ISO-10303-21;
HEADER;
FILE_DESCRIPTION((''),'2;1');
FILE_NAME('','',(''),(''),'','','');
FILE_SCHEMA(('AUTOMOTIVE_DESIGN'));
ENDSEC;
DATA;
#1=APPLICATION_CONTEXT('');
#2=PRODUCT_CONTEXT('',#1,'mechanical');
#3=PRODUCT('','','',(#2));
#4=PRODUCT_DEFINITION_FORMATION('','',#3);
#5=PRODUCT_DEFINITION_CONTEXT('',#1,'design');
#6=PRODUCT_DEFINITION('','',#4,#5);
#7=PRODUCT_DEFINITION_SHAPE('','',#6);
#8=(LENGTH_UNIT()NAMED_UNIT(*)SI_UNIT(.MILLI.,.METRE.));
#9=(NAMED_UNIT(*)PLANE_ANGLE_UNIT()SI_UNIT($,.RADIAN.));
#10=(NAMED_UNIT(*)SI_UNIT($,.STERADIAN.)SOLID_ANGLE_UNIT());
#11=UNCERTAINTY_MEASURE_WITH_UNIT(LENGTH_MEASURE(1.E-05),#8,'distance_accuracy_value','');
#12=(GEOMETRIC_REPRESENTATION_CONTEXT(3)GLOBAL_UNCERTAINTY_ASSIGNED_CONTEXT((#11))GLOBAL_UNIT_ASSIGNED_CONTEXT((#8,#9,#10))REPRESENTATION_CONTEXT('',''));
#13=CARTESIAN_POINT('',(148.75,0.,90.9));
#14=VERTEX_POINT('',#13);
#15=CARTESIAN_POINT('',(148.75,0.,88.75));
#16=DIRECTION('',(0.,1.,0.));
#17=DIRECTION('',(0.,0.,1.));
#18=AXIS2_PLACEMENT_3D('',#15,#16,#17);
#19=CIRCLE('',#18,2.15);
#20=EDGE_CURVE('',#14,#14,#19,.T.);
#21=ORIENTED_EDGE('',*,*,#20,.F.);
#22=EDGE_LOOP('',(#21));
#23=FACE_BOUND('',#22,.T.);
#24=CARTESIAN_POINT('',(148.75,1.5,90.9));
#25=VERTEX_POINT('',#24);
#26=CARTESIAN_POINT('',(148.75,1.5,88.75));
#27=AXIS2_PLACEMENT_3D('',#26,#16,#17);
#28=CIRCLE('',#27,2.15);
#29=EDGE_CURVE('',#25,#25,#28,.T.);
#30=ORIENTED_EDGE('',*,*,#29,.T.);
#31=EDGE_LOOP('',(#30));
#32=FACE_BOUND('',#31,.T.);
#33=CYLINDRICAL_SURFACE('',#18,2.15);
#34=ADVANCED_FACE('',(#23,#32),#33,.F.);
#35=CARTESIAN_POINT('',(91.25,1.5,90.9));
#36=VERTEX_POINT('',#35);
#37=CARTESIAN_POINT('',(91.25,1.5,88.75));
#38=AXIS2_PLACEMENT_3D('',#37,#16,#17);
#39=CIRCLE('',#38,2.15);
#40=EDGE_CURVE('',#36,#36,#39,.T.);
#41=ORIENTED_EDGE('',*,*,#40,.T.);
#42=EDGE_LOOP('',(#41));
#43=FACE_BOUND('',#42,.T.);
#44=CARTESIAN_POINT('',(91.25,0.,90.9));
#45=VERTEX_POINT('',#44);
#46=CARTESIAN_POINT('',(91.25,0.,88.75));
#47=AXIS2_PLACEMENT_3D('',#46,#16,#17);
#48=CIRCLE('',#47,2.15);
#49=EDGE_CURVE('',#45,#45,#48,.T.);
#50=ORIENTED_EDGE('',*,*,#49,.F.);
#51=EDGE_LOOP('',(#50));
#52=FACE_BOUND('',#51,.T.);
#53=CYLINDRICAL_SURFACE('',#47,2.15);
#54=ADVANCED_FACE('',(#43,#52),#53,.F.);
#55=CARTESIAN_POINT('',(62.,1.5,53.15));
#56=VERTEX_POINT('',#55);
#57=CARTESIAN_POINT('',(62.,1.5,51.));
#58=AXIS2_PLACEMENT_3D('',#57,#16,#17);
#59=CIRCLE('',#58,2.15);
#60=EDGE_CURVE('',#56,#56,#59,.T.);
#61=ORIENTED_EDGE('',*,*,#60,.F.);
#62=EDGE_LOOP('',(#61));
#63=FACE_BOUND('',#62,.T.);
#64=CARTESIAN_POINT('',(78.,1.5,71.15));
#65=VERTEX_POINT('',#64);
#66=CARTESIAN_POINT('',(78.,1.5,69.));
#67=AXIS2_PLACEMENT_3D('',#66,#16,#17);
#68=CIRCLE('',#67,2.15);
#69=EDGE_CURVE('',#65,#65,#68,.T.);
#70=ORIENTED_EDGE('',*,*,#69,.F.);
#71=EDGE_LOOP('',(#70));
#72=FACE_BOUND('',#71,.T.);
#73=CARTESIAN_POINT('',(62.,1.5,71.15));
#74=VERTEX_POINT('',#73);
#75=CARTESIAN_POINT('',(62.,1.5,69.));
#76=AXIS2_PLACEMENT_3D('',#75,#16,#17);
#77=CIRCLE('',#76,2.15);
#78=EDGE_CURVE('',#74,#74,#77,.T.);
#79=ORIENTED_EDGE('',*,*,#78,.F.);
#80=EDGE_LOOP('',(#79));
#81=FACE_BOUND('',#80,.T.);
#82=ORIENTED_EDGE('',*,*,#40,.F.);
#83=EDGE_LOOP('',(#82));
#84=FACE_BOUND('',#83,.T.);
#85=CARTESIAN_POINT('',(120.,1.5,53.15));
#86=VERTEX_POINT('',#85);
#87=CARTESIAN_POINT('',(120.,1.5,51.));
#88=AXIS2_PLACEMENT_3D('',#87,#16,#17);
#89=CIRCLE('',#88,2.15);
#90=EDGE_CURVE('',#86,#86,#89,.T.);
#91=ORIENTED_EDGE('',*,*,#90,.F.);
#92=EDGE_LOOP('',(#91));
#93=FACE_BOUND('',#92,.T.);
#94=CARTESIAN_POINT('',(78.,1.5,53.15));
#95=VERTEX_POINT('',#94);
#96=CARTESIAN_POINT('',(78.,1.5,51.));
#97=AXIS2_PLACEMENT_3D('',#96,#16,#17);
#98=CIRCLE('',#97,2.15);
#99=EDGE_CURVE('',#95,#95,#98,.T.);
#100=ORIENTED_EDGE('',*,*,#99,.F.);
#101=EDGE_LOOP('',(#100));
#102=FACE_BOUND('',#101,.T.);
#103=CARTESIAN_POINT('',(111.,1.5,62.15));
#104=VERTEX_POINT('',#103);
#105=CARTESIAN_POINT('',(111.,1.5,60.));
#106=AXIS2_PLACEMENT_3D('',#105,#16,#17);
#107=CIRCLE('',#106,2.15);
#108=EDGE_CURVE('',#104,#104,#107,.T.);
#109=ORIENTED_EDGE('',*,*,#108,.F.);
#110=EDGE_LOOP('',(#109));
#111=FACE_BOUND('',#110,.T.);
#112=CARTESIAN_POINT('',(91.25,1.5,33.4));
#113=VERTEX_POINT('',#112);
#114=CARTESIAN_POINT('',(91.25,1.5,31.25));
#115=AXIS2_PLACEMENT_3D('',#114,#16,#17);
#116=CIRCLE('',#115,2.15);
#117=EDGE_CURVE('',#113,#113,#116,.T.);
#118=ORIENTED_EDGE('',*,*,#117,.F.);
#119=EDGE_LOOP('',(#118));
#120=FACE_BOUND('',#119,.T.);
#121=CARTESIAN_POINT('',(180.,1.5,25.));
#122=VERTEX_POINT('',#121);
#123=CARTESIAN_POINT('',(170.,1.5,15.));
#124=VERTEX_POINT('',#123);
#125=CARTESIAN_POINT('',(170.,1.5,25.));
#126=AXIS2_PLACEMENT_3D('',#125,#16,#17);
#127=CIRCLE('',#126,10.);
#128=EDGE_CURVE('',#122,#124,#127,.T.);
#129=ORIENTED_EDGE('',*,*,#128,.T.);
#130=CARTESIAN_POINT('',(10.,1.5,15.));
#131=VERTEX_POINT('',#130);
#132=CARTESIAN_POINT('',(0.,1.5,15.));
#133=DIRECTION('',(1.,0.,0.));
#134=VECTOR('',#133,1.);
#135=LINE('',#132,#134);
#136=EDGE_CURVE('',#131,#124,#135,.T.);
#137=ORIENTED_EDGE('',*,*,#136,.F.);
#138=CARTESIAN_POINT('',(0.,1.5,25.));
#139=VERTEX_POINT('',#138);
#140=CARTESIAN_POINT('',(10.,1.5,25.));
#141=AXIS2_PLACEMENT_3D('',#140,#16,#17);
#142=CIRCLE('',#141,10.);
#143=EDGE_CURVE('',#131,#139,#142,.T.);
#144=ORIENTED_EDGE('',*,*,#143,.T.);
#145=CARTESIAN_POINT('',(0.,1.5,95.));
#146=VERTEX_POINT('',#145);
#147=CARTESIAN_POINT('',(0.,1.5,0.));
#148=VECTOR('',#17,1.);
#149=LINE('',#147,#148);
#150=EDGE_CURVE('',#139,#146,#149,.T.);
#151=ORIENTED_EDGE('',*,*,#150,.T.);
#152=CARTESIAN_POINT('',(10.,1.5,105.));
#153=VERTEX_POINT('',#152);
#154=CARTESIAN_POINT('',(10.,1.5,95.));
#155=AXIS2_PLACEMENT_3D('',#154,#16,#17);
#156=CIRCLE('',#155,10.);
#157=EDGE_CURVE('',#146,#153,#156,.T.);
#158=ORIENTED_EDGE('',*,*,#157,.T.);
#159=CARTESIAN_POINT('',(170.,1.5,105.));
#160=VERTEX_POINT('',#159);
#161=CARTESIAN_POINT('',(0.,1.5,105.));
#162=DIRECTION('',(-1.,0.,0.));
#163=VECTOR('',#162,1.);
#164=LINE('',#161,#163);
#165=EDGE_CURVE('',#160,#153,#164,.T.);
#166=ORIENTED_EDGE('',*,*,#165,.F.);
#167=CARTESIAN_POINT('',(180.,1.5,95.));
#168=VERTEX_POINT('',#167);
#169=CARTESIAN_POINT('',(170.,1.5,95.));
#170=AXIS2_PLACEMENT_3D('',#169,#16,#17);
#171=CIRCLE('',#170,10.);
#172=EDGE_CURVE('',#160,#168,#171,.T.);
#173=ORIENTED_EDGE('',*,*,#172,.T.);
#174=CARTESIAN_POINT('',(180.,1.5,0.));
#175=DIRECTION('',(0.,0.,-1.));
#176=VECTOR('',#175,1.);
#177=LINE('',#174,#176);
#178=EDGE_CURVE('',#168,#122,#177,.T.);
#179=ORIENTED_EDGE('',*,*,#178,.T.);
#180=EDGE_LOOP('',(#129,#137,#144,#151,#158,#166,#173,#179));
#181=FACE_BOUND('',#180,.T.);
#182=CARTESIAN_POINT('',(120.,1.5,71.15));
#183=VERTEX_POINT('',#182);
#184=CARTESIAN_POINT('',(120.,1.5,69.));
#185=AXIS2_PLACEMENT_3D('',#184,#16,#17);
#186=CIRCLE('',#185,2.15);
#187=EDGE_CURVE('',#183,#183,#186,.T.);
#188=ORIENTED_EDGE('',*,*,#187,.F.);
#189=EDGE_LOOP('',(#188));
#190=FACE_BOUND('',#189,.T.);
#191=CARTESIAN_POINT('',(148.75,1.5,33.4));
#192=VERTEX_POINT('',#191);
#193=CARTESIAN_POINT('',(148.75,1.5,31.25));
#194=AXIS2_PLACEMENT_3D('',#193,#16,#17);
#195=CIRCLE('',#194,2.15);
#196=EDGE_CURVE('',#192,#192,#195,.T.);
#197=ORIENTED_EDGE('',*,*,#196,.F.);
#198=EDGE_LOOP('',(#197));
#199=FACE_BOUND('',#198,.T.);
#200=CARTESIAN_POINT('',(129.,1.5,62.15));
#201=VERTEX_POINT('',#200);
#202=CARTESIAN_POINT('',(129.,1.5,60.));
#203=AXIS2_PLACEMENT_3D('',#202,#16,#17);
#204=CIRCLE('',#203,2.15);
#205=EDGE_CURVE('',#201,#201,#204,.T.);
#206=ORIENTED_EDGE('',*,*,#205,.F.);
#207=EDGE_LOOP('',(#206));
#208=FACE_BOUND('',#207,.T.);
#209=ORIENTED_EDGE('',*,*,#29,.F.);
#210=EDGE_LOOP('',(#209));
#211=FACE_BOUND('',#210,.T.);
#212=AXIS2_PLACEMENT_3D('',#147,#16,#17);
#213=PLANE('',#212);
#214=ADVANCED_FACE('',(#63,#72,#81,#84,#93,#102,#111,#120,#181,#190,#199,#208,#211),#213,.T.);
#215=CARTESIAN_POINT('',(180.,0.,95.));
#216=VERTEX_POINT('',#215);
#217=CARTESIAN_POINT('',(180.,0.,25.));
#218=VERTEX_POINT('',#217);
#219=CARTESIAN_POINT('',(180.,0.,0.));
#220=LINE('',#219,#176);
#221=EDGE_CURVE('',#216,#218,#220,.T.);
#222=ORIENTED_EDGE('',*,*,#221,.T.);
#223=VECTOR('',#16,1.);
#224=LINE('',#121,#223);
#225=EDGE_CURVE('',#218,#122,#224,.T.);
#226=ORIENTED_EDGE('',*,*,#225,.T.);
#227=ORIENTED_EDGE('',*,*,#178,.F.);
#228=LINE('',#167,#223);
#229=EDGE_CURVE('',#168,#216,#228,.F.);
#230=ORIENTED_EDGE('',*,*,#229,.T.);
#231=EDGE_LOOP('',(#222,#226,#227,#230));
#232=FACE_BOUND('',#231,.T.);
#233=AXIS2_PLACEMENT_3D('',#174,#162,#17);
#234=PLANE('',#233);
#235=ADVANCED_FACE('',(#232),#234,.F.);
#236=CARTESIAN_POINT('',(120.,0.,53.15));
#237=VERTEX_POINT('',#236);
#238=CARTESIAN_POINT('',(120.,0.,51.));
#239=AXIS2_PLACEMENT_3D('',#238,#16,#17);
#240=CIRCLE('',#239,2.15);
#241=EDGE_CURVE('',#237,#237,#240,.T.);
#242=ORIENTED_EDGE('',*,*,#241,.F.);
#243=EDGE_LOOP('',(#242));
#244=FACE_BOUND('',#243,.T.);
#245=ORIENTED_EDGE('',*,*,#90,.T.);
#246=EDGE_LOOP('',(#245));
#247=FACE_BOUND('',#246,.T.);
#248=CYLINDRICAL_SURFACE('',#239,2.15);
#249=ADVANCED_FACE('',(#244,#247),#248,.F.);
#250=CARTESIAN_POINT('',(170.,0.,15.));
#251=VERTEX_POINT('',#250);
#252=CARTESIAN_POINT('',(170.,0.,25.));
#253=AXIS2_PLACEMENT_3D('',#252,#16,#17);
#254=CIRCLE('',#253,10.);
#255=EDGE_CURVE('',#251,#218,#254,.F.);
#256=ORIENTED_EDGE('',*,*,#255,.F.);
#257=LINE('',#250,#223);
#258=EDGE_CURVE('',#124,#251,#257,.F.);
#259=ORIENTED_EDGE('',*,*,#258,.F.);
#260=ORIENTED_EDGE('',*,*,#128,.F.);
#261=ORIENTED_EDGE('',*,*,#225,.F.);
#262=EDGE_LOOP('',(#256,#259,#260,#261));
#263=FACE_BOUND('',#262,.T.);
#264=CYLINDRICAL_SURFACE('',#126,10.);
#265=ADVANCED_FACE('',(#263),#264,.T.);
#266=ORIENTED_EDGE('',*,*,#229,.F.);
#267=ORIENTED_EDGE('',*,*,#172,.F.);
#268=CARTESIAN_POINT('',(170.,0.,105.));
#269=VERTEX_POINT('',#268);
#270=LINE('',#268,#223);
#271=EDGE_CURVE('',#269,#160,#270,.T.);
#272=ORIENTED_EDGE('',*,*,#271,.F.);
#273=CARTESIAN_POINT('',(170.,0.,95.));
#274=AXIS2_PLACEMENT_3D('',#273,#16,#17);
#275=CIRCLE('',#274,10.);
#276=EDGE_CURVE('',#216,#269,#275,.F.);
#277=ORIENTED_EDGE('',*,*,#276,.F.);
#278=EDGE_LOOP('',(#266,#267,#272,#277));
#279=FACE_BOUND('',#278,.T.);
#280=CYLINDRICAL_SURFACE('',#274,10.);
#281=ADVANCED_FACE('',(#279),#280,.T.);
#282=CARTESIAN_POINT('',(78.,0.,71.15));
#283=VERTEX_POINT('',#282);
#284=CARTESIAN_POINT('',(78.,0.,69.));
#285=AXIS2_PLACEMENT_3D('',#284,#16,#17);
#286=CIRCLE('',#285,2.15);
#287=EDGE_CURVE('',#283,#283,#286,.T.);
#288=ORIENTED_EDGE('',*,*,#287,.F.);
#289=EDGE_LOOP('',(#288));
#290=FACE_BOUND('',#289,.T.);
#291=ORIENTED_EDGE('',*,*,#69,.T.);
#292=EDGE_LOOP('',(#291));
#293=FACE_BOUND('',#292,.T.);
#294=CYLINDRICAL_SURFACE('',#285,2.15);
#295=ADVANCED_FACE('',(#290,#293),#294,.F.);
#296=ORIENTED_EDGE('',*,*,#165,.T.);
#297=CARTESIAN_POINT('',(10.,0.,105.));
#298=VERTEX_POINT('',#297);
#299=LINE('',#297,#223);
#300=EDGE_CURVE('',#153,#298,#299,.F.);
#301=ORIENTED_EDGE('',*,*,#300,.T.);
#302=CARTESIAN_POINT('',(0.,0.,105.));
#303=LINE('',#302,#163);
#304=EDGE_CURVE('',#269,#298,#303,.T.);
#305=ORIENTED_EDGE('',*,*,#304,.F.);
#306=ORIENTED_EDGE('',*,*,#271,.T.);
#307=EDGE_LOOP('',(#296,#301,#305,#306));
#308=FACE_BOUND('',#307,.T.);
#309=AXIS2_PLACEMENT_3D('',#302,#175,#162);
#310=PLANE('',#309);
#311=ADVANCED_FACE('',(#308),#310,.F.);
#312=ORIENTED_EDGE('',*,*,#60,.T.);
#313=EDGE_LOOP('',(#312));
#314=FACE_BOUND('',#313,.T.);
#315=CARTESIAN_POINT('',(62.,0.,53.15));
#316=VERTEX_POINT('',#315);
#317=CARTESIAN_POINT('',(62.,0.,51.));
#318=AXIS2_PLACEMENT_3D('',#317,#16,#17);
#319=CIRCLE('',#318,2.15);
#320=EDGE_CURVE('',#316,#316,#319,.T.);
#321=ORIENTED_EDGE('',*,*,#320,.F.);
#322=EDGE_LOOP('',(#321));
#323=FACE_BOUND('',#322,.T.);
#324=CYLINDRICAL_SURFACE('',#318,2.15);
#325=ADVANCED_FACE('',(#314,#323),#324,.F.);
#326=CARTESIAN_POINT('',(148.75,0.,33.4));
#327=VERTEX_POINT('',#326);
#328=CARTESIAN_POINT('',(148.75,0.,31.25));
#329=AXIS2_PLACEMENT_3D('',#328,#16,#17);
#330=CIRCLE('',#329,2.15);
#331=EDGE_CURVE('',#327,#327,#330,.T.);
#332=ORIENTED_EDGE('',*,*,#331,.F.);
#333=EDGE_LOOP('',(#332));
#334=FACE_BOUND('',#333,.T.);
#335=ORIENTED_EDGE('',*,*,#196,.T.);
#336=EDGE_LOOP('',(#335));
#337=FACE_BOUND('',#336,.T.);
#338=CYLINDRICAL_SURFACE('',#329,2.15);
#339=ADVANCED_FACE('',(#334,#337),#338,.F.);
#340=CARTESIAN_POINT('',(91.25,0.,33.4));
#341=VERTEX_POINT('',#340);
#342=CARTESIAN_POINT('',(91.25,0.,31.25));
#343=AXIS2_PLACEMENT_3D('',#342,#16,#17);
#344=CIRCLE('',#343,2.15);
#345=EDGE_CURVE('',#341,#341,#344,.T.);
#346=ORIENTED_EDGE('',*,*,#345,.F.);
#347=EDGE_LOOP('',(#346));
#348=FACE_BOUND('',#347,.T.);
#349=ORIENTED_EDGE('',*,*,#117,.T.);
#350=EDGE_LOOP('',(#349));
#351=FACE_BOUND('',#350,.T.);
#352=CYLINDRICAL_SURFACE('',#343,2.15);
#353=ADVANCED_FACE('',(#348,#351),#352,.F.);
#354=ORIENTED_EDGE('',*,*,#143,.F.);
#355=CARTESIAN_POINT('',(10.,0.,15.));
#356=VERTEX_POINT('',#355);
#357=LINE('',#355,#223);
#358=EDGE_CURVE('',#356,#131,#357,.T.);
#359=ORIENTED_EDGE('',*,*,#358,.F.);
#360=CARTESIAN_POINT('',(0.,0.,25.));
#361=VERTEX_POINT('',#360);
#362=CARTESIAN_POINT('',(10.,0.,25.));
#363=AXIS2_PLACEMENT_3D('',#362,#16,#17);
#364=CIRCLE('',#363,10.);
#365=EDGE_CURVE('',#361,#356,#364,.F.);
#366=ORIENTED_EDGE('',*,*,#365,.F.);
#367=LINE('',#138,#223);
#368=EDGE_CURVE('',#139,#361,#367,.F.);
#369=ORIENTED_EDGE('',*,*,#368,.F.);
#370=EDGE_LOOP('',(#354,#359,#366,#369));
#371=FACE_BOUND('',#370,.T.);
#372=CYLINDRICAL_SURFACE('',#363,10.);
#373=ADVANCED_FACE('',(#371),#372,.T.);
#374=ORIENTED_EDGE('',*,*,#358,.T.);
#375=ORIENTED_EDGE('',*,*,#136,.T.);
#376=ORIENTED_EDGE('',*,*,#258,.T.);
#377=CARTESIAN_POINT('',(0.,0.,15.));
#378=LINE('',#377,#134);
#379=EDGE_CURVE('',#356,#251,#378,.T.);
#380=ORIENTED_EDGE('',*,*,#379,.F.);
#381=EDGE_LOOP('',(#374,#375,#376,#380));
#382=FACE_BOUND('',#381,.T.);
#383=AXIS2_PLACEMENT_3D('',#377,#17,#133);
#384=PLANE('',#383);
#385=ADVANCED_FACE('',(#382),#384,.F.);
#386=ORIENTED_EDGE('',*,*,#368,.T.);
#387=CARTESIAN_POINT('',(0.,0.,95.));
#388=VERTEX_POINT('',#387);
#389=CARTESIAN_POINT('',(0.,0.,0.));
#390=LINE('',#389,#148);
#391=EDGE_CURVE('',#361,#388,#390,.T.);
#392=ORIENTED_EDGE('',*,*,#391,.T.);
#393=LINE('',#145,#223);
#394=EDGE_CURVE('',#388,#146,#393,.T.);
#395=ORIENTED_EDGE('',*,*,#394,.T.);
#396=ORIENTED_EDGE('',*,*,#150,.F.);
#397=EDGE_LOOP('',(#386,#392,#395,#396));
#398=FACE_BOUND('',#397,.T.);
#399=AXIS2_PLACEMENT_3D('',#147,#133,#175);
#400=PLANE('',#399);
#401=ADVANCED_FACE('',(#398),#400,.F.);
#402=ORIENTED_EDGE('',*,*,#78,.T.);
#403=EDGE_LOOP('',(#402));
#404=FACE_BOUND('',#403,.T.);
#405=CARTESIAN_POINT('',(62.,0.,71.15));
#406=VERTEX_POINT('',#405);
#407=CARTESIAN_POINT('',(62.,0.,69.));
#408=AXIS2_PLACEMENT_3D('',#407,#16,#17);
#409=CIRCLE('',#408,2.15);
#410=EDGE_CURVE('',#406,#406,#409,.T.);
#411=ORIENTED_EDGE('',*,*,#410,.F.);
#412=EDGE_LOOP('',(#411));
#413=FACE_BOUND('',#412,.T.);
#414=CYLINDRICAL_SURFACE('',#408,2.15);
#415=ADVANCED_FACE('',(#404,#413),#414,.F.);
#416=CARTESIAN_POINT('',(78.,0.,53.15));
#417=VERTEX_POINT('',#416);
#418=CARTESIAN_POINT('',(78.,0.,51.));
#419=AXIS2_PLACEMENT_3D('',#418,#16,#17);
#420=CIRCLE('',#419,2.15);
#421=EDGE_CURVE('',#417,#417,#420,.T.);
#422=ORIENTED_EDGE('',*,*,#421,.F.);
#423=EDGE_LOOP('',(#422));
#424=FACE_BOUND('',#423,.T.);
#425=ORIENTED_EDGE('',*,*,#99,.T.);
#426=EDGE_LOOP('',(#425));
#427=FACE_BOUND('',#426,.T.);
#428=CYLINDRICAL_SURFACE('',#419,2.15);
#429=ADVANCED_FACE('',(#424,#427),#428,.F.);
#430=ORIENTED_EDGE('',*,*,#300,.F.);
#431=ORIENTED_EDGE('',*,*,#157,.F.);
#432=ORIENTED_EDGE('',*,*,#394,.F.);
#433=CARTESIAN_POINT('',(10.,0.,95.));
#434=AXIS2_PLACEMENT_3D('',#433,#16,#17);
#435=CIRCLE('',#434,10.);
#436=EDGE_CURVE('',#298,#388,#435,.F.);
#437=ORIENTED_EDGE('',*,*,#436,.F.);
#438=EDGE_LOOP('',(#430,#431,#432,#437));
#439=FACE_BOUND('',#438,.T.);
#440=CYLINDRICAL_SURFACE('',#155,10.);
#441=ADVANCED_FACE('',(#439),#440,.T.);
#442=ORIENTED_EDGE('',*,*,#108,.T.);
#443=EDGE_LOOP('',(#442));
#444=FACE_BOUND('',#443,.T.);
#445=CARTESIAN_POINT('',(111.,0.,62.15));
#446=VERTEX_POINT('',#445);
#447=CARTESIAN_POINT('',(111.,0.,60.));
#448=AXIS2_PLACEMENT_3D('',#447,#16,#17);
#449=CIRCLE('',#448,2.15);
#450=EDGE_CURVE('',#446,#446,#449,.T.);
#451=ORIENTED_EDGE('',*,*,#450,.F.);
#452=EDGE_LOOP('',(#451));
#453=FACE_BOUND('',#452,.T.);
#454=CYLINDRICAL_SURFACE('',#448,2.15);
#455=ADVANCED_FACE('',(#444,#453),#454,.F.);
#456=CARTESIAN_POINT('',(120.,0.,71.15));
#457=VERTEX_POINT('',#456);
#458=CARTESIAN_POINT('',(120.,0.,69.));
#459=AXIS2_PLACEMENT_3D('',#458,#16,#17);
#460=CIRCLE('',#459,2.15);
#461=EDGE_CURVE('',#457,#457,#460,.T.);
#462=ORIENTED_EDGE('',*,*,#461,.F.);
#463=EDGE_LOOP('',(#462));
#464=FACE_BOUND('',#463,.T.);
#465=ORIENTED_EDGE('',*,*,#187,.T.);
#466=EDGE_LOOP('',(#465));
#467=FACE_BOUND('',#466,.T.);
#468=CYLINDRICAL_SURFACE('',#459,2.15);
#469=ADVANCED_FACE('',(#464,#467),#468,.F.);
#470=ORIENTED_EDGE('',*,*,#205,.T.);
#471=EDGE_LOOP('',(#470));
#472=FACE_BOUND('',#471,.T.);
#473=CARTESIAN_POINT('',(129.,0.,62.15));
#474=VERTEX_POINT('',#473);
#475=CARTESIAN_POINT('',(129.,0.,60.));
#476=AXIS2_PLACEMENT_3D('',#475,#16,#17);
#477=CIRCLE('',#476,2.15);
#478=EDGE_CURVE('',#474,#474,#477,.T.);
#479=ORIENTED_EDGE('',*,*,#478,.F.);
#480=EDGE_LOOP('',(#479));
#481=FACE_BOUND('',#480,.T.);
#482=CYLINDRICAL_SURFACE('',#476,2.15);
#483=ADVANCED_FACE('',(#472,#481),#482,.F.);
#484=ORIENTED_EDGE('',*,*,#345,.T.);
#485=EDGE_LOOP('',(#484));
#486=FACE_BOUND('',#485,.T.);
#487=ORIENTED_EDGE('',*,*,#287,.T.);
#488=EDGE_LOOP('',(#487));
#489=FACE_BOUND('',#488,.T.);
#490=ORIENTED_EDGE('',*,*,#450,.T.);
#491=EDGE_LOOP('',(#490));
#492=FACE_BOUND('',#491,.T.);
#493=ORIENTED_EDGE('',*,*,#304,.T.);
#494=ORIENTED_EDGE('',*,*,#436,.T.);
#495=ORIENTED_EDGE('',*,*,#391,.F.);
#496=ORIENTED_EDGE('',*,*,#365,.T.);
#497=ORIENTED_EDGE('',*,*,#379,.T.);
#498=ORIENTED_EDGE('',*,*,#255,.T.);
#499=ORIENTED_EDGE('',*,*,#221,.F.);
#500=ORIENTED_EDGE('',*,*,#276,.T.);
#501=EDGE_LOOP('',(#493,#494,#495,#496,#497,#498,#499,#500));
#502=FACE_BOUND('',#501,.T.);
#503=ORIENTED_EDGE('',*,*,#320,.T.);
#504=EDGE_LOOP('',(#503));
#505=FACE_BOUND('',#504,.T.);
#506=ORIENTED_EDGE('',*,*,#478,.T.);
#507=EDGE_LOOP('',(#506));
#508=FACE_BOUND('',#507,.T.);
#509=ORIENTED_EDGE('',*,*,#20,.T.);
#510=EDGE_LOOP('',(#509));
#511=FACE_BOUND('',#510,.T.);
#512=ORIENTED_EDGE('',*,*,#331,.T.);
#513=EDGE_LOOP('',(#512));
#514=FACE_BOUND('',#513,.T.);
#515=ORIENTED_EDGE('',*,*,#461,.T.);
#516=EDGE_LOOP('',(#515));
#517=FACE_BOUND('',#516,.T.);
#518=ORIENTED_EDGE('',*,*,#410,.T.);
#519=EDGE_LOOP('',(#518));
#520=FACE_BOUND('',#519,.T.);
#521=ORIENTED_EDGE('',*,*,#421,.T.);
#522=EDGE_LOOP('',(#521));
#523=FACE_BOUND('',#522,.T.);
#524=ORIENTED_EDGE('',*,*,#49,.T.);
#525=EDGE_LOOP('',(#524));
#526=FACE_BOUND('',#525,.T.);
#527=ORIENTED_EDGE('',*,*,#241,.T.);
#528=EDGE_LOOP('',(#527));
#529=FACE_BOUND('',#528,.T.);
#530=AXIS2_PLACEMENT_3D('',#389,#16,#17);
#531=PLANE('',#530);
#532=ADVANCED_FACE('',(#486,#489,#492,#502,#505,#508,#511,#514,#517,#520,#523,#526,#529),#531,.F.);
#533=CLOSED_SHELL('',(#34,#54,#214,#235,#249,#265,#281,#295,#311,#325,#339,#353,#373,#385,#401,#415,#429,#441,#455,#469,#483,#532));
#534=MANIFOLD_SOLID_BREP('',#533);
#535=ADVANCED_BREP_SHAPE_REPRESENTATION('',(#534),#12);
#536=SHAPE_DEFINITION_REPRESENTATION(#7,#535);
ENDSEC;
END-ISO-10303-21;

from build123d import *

# Parameters (mm, degrees)
SKETCH1_W           = 180
SKETCH1_H           = 120
BOSS_EXTRUDE1_DEPTH = 1.5
SKETCH2_R           = 2.15
CUT_EXTRUDE1_DEPTH  = 217.33827678
SKETCH3_W           = 180
SKETCH3_H           = 15
CUT_EXTRUDE2_DEPTH  = 217.33827678
FILLET1_R           = 10


with BuildPart() as part:
    # Sketch1 → Boss-Extrude1 (new body)
    with BuildSketch(Plane(origin=(0, 0, 0), x_dir=(1, 0, 0), z_dir=(0, 1, 0))):
        with Locations((90, -60)):
            Rectangle(SKETCH1_W, SKETCH1_H)
    extrude(amount=BOSS_EXTRUDE1_DEPTH)

    # Sketch2 → Cut-Extrude1 (cut, through all)
    with BuildSketch(Plane(origin=(0, 1.5, 0), x_dir=(1, 0, 0), z_dir=(0, 1, 0))):
        with Locations(Location((120, -51, 0), (0, 0, 270))):
            Circle(SKETCH2_R)
        with Locations(Location((120, -69, 0), (0, 0, 270))):
            Circle(SKETCH2_R)
        with Locations(Location((129, -60, 0), (0, 0, 270))):
            Circle(SKETCH2_R)
        with Locations(Location((111, -60, 0), (0, 0, 270))):
            Circle(SKETCH2_R)
        with Locations(Location((78, -51, 0), (0, 0, 270))):
            Circle(SKETCH2_R)
        with Locations(Location((62, -51, 0), (0, 0, 270))):
            Circle(SKETCH2_R)
        with Locations(Location((62, -69, 0), (0, 0, 270))):
            Circle(SKETCH2_R)
        with Locations(Location((78, -69, 0), (0, 0, 270))):
            Circle(SKETCH2_R)
        with Locations(Location((148.75, -31.25, 0), (0, 0, 270))):
            Circle(SKETCH2_R)
        with Locations(Location((91.25, -31.25, 0), (0, 0, 270))):
            Circle(SKETCH2_R)
        with Locations(Location((91.25, -88.75, 0), (0, 0, 270))):
            Circle(SKETCH2_R)
        with Locations(Location((148.75, -88.75, 0), (0, 0, 270))):
            Circle(SKETCH2_R)
    extrude(amount=-CUT_EXTRUDE1_DEPTH, mode=Mode.SUBTRACT)

    # Sketch3 → Cut-Extrude2 (cut, through all)
    with BuildSketch(Plane(origin=(0, 1.5, 0), x_dir=(1, 0, 0), z_dir=(0, 1, 0))):
        with Locations((90, -7.5)):
            Rectangle(SKETCH3_W, SKETCH3_H)
        with Locations((90, -112.5)):
            Rectangle(SKETCH3_W, SKETCH3_H)
    extrude(amount=-CUT_EXTRUDE2_DEPTH, mode=Mode.SUBTRACT)

    # Fillet1
    fillet1_edges = [part.edges().sort_by_distance(p)[0] for p in [
        (0, 0.75, 15),
        (180, 0.75, 15),
        (0, 0.75, 105),
        (180, 0.75, 105),
    ]]
    fillet(fillet1_edges, radius=FILLET1_R)


solid = part.part
